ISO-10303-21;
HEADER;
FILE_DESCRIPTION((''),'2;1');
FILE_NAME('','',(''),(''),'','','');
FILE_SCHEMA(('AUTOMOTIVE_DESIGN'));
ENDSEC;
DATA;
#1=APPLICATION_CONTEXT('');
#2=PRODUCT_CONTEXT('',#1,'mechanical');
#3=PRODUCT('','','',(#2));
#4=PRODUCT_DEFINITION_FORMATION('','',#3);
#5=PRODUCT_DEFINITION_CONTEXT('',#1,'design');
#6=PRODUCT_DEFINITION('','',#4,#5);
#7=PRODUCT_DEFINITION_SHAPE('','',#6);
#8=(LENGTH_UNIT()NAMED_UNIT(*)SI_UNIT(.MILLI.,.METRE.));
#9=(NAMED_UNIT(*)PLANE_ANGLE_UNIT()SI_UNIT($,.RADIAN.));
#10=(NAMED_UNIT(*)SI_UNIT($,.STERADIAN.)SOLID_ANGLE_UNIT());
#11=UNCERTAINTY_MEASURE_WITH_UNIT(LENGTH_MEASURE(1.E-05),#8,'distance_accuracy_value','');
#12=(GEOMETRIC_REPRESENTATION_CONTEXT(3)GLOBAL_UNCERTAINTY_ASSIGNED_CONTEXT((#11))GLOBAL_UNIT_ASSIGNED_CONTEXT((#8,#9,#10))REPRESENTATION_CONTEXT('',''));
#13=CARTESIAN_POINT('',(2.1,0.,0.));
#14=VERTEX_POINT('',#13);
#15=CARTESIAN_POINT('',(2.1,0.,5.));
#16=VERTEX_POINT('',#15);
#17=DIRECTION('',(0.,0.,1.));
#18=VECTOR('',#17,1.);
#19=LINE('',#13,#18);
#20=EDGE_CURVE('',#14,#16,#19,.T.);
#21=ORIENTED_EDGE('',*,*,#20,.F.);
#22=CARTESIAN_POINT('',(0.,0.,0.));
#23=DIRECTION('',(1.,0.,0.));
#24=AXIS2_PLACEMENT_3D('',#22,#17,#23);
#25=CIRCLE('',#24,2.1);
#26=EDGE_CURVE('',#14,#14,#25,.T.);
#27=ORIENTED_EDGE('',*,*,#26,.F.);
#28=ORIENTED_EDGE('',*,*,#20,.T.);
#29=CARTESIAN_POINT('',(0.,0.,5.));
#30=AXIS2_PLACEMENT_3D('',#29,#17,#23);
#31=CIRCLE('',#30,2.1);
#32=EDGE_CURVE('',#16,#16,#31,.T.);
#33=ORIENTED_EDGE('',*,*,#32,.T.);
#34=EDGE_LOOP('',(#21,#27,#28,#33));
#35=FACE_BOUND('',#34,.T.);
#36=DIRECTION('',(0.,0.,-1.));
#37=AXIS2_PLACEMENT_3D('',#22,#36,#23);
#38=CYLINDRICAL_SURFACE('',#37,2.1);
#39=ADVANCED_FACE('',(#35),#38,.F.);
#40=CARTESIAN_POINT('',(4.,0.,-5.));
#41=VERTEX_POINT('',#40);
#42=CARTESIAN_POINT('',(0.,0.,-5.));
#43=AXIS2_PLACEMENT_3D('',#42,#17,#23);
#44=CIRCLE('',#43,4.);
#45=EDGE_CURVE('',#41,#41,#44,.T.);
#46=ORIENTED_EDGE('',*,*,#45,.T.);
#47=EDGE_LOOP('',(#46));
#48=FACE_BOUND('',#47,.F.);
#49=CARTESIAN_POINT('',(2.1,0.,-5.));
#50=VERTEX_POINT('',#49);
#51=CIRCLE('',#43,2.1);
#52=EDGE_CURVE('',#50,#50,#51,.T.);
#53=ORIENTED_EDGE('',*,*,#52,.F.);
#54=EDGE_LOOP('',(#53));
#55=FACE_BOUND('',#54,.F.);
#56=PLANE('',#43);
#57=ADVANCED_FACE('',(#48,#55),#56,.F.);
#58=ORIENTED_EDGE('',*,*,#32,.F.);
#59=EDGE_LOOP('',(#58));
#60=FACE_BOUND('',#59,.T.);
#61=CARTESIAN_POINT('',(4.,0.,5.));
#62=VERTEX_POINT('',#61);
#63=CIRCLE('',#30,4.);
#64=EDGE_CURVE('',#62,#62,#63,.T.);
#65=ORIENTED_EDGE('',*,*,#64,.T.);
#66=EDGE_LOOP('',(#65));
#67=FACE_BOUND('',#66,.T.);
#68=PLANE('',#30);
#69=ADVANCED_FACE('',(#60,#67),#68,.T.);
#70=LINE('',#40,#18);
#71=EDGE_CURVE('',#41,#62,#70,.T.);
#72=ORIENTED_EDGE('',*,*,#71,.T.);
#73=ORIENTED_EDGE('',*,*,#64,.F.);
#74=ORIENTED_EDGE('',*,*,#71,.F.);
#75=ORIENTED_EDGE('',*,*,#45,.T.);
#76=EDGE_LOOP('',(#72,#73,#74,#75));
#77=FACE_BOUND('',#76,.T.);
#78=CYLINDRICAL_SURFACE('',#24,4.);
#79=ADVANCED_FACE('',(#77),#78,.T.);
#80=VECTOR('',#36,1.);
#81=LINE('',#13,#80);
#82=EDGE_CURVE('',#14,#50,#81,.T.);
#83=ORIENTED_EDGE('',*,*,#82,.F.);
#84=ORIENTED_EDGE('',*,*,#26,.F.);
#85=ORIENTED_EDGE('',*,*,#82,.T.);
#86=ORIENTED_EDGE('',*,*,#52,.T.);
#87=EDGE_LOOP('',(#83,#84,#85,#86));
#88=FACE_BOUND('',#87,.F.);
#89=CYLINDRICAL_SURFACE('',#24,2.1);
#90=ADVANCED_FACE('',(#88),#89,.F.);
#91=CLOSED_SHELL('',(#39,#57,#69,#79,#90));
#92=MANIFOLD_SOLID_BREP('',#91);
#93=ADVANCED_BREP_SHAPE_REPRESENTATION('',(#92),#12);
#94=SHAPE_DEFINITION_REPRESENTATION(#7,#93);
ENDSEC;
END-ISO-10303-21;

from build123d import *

# Parameters (mm, degrees)
SKETCH1_R           = 4
SKETCH1_R_2         = 2.1
EXTRUDE1_DEPTH      = 5
EXTRUDE1_DEPTH_BACK = 5


with BuildPart() as part:
    # Sketch1 → Extrude1 (new body, two sides)
    with BuildSketch(Plane.XY) as extrude1_sk:
        Circle(SKETCH1_R)
        Circle(SKETCH1_R_2, mode=Mode.SUBTRACT)
    extrude(amount=EXTRUDE1_DEPTH)
    extrude(extrude1_sk.sketch, amount=-EXTRUDE1_DEPTH_BACK)


solid = part.part
